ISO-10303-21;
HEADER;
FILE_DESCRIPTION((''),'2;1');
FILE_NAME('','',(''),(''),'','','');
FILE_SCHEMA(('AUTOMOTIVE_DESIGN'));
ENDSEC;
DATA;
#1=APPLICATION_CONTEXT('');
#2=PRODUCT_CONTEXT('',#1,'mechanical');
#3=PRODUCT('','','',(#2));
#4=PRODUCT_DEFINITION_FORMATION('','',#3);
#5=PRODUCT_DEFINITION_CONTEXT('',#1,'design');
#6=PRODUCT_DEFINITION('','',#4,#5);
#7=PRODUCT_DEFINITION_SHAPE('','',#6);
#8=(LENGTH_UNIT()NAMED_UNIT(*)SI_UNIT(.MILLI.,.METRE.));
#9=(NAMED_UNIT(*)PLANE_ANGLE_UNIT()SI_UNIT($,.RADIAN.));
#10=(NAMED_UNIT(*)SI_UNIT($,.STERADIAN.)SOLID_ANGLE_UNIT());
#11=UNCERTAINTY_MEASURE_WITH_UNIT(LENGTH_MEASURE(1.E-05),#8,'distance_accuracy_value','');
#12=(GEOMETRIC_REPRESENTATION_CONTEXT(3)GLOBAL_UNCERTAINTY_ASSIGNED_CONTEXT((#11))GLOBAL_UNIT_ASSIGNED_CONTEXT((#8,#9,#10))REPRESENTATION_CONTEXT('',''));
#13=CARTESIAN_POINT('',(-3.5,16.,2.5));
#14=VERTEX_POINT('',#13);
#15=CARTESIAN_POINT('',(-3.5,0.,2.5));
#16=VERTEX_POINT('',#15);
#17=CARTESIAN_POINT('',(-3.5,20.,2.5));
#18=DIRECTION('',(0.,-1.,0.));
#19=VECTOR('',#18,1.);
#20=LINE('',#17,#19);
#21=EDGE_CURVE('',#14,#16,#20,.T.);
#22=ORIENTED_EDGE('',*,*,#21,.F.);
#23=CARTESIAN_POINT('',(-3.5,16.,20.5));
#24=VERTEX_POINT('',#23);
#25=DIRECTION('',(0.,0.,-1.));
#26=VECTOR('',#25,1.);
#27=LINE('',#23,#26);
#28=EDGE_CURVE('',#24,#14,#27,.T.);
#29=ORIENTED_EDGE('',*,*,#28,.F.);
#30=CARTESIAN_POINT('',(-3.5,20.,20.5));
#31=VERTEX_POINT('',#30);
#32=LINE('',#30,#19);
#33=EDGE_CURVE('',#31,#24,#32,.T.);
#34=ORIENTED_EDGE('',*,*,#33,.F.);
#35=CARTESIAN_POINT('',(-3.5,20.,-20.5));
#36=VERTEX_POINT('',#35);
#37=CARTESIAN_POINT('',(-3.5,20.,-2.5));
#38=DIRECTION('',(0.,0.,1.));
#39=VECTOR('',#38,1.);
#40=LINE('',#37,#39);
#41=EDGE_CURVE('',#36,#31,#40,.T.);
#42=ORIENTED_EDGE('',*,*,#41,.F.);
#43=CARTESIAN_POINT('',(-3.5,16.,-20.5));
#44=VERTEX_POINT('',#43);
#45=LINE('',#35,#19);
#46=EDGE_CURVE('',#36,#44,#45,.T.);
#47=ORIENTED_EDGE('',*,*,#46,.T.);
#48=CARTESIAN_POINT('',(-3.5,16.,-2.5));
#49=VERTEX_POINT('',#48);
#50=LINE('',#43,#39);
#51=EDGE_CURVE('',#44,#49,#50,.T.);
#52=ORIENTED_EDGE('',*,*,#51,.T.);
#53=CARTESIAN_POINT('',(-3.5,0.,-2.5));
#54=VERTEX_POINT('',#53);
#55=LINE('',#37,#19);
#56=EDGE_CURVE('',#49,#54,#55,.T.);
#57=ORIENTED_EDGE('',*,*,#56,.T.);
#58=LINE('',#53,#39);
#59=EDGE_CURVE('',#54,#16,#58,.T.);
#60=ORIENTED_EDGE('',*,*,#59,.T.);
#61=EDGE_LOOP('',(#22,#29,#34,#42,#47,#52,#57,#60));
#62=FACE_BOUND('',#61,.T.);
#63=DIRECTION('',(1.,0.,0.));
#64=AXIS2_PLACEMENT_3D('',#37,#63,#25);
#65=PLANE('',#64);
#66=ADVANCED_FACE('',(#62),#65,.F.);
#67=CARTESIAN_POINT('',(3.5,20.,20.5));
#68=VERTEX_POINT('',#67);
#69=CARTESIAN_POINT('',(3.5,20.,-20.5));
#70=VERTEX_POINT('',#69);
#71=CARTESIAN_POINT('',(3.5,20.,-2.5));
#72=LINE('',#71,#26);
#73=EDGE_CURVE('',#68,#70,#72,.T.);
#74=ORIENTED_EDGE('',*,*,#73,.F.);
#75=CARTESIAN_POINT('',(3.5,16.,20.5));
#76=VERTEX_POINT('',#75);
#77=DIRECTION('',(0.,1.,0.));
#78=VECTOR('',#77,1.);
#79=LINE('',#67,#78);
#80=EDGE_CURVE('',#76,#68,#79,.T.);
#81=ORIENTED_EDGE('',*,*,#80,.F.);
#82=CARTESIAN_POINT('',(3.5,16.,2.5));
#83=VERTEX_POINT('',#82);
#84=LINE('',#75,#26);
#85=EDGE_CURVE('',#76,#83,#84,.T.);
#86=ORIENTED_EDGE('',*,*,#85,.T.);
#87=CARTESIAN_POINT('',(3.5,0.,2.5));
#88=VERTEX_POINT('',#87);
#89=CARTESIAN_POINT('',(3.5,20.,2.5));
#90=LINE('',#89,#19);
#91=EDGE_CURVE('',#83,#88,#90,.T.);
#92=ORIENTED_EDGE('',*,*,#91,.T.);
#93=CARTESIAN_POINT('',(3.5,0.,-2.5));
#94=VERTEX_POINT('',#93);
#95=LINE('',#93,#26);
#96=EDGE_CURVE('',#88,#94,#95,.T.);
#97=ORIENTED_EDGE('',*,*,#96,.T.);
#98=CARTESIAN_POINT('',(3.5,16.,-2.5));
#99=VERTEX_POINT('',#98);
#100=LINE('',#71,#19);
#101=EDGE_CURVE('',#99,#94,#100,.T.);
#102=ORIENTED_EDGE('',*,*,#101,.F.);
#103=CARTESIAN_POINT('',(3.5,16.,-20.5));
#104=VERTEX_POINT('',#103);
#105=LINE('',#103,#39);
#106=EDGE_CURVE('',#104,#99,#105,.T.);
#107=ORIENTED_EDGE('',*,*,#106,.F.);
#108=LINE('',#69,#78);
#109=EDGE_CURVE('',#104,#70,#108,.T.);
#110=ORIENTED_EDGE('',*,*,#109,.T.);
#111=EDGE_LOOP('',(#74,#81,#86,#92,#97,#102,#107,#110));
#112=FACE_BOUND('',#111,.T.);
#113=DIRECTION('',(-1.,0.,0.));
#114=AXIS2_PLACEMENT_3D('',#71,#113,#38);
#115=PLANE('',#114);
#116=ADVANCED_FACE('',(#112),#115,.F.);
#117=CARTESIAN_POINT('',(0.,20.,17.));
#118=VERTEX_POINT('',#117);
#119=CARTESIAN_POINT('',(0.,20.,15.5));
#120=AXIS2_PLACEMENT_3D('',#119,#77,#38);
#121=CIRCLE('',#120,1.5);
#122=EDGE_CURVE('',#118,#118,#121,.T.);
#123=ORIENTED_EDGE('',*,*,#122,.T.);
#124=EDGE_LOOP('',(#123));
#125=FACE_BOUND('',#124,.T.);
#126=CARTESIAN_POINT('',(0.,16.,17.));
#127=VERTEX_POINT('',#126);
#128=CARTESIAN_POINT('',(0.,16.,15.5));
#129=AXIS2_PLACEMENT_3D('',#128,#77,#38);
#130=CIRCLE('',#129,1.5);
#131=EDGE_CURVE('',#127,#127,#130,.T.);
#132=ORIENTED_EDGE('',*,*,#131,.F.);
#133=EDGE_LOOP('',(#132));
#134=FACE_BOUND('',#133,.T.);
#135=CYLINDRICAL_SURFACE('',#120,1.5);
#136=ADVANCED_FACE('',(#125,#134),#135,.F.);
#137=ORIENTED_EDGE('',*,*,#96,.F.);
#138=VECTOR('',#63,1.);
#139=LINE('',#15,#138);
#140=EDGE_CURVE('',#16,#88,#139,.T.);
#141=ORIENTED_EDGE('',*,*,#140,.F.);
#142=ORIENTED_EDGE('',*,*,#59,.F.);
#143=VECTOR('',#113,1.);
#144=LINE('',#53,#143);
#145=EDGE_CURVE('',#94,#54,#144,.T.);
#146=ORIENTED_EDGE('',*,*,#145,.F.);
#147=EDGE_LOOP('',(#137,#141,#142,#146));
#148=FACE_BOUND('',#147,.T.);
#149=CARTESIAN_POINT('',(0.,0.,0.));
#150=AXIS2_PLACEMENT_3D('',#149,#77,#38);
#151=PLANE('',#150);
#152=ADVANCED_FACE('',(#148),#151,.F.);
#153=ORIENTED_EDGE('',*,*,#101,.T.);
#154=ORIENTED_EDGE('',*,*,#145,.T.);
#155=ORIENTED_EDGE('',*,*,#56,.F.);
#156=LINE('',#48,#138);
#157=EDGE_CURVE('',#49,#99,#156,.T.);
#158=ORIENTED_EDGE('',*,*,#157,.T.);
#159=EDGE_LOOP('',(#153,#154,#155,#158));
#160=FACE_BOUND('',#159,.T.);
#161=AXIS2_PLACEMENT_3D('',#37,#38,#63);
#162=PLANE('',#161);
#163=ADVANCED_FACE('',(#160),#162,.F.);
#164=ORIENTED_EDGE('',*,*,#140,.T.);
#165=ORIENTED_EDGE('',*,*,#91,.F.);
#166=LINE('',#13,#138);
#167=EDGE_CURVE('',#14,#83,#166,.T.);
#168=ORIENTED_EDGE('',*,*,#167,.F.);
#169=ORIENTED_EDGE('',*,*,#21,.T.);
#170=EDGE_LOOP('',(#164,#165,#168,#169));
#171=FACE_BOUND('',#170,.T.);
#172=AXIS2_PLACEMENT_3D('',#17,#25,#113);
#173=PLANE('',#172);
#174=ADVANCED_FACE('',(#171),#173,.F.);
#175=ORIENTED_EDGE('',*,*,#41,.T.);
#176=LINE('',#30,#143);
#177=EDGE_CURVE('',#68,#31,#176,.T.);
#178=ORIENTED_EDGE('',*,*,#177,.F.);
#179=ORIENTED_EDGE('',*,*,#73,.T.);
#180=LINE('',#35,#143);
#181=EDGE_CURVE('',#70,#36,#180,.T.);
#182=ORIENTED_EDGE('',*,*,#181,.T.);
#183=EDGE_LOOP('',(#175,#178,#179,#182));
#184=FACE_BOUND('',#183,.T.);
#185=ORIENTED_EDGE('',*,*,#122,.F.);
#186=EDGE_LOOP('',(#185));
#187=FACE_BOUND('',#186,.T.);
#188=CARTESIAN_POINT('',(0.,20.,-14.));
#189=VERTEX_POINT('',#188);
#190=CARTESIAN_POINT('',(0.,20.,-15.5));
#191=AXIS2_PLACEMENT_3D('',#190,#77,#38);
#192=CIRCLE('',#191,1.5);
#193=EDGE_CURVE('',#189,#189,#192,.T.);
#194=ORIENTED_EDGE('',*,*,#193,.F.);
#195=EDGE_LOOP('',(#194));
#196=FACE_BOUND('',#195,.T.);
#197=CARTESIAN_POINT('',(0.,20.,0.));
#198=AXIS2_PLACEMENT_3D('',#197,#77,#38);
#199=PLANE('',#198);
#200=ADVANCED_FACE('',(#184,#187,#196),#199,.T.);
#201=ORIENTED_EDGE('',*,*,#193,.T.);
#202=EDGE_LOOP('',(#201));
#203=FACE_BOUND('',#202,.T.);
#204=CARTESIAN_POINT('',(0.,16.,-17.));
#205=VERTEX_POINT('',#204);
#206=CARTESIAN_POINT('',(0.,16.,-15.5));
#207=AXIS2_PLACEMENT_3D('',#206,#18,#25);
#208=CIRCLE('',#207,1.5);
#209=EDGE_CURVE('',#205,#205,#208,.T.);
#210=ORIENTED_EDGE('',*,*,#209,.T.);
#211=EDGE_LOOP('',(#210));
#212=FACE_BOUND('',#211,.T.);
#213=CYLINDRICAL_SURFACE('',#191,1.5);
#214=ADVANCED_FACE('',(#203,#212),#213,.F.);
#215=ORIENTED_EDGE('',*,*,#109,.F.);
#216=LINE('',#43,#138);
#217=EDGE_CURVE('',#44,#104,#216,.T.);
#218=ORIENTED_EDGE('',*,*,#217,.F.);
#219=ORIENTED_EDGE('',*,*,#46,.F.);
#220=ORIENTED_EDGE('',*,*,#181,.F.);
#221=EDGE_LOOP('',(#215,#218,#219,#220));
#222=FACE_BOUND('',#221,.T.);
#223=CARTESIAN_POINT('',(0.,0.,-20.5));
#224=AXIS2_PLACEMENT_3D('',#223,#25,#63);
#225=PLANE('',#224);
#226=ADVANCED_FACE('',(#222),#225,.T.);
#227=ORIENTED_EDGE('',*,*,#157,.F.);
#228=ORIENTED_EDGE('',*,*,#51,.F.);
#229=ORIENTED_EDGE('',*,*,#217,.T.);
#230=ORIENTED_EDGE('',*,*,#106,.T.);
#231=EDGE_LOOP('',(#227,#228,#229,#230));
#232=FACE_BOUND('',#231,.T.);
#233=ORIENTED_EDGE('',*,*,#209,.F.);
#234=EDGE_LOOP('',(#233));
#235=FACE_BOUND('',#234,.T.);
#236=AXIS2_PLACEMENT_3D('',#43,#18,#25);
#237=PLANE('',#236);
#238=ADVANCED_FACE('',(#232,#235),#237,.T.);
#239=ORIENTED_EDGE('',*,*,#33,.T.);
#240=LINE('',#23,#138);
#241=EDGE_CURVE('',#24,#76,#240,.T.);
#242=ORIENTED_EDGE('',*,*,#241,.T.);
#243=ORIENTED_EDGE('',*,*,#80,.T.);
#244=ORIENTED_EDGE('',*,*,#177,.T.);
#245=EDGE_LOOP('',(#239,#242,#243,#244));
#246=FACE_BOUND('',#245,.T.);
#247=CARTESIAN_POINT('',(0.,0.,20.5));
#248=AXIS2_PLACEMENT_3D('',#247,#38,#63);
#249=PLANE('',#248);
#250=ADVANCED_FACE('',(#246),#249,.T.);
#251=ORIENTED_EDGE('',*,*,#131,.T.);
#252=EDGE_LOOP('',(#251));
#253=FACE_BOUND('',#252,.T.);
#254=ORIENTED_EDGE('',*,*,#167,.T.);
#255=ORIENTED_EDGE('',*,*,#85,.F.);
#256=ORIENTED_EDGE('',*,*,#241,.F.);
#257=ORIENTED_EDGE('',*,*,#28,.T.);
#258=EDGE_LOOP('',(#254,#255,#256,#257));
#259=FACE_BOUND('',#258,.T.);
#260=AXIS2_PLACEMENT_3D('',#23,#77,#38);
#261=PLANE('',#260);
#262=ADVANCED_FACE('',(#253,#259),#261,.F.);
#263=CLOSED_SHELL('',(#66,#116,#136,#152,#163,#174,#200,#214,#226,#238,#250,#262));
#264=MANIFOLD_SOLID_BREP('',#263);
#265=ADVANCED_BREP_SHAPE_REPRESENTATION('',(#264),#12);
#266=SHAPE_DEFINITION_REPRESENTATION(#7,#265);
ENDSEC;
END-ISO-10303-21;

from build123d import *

# Parameters (mm, degrees)
SKETCH1_W             = 7
SKETCH1_H             = 5
BOSS_EXTRUDE1_DEPTH   = 20
SKETCH2_W             = 7
SKETCH2_H             = 4
BOSS_EXTRUDE2_DEPTH   = 18
F_3_0MM_DOWEL_HOLE1_D = 3


with BuildPart() as part:
    # Sketch1 → Boss-Extrude1 (new body)
    with BuildSketch(Plane(origin=(0, 0, 0), x_dir=(1, 0, 0), z_dir=(0, 1, 0))):
        Rectangle(SKETCH1_W, SKETCH1_H)
    extrude(amount=BOSS_EXTRUDE1_DEPTH)

    # Sketch2 → Boss-Extrude2 (add)
    with BuildSketch(Plane.XY.offset(2.5)):
        with Locations((0, 18)):
            Rectangle(SKETCH2_W, SKETCH2_H)
    boss_extrude2 = extrude(amount=BOSS_EXTRUDE2_DEPTH)

    # Ø3.0mm Dowel Hole1 (through all)
    with Locations(Plane(origin=(0, 20, 0), x_dir=(1, 0, 0), z_dir=(0, 1, 0))):
        with Locations((0, -15.5)):
            f_3_0mm_dowel_hole1 = Hole(F_3_0MM_DOWEL_HOLE1_D / 2)

    # Mirror1: Boss-Extrude2, Ø3.0mm Dowel Hole1 across plane
    add(boss_extrude2.mirror(Plane.XY))
    add(f_3_0mm_dowel_hole1.mirror(Plane.XY), mode=Mode.SUBTRACT)


solid = part.part
